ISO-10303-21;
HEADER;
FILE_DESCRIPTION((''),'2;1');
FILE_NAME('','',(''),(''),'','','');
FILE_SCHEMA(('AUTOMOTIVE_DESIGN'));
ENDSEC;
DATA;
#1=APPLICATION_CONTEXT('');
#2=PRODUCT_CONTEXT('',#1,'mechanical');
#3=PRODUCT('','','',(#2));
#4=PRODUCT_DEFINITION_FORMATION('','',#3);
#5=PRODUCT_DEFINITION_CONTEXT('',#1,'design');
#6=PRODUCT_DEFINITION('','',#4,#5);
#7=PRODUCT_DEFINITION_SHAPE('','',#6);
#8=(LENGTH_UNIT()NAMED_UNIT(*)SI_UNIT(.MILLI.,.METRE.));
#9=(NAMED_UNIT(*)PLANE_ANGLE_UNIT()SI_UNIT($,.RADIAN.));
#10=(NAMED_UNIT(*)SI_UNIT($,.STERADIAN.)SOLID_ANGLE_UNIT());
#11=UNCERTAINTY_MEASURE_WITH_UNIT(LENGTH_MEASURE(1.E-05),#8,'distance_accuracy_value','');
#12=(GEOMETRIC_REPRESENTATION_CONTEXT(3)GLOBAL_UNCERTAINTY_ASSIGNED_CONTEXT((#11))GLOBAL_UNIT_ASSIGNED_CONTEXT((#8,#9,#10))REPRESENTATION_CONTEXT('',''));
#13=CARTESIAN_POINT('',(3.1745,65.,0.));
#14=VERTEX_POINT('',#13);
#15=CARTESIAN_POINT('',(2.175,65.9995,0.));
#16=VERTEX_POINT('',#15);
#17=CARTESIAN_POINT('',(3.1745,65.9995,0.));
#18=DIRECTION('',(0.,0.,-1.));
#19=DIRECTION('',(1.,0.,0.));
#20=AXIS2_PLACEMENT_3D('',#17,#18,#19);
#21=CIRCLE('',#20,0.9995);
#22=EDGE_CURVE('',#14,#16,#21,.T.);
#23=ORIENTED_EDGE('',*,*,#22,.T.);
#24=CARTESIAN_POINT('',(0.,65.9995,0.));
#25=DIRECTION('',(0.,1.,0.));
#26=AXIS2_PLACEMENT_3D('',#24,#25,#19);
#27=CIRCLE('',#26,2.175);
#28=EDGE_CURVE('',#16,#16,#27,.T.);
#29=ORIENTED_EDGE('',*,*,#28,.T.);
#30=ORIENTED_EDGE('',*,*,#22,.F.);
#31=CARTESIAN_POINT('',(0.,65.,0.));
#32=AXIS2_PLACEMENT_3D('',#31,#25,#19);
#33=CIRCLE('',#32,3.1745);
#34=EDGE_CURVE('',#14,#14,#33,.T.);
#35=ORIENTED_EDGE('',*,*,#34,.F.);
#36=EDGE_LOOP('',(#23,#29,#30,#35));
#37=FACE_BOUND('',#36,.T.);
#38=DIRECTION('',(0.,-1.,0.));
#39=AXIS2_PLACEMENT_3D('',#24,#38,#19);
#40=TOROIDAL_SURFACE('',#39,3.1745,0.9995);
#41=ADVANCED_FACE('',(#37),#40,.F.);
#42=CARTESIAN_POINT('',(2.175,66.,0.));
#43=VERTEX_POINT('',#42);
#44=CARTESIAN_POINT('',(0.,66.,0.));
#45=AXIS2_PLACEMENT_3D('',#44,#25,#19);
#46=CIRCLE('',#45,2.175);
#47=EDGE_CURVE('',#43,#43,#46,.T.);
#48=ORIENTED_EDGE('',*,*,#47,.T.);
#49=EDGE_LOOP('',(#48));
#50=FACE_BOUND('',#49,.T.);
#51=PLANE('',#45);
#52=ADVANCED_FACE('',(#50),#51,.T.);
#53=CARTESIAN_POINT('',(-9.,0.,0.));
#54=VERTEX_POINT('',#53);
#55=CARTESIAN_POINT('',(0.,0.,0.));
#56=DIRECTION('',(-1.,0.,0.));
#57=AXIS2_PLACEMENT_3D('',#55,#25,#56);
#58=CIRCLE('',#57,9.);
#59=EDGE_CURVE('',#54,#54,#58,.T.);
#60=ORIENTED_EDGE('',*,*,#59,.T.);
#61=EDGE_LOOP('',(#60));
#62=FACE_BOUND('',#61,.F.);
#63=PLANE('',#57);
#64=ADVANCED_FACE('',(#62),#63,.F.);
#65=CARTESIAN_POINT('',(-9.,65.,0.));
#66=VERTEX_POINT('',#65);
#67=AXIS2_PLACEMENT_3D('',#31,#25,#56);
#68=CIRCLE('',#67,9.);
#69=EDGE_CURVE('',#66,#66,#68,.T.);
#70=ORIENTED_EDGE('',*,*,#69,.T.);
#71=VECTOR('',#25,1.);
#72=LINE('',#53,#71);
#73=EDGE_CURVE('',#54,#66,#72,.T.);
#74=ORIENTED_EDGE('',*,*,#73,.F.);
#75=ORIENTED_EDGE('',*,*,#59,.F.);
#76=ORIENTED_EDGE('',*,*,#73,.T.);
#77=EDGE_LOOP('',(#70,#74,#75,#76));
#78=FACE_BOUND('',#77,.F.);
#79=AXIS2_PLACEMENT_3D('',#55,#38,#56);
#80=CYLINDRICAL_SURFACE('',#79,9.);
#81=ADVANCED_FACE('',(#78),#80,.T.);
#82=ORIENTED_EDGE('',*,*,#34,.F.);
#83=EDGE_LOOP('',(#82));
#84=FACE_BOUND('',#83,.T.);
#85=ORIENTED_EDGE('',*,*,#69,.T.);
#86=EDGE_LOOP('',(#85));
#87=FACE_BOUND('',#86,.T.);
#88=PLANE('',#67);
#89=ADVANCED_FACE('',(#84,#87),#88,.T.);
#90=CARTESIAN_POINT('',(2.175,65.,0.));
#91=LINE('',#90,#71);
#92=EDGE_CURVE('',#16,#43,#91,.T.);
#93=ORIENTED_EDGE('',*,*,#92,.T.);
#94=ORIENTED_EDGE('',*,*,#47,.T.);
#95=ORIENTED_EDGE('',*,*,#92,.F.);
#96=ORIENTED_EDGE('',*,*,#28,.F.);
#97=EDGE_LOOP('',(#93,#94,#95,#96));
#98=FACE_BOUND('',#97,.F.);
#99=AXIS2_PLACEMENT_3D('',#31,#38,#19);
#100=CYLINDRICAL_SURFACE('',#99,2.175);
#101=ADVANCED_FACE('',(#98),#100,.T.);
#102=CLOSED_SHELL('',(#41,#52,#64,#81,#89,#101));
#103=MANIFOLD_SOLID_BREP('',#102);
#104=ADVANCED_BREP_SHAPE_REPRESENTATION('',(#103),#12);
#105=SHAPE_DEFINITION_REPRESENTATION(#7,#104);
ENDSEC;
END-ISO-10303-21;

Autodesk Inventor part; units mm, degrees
ref_plane "YZ Plane" through (0, 0, 0) normal (1, 0, 0) x (0, 1, 0)
ref_plane "XZ Plane" through (0, 0, 0) normal (0, 1, 0) x (-1, 0, 0)
ref_plane "XY Plane" through (0, 0, 0) normal (0, 0, 1) x (1, 0, 0)
sketch "Sketch1" plane through (0, 0, 0) normal (0, 1, 0) x (-1, 0, 0)
  circle A0 centre (0, 0) radius 9
  dimension "d0" = 18
extrude "Extrusion1" add sketch "Sketch1" along normal blind 65
sketch "Sketch2" plane through (0, 65, 0) normal (0, 1, 0) x (1, 0, 0)
  circle A0 centre (0, 0) radius 2.175
  dimension "d3" = 4.35
extrude "Extrusion2" add sketch "Sketch2" along normal blind 1
fillet "Fillet1" radius 1 1 edges at (-2.175, 65, 0)
properties part number "lipo battery"
